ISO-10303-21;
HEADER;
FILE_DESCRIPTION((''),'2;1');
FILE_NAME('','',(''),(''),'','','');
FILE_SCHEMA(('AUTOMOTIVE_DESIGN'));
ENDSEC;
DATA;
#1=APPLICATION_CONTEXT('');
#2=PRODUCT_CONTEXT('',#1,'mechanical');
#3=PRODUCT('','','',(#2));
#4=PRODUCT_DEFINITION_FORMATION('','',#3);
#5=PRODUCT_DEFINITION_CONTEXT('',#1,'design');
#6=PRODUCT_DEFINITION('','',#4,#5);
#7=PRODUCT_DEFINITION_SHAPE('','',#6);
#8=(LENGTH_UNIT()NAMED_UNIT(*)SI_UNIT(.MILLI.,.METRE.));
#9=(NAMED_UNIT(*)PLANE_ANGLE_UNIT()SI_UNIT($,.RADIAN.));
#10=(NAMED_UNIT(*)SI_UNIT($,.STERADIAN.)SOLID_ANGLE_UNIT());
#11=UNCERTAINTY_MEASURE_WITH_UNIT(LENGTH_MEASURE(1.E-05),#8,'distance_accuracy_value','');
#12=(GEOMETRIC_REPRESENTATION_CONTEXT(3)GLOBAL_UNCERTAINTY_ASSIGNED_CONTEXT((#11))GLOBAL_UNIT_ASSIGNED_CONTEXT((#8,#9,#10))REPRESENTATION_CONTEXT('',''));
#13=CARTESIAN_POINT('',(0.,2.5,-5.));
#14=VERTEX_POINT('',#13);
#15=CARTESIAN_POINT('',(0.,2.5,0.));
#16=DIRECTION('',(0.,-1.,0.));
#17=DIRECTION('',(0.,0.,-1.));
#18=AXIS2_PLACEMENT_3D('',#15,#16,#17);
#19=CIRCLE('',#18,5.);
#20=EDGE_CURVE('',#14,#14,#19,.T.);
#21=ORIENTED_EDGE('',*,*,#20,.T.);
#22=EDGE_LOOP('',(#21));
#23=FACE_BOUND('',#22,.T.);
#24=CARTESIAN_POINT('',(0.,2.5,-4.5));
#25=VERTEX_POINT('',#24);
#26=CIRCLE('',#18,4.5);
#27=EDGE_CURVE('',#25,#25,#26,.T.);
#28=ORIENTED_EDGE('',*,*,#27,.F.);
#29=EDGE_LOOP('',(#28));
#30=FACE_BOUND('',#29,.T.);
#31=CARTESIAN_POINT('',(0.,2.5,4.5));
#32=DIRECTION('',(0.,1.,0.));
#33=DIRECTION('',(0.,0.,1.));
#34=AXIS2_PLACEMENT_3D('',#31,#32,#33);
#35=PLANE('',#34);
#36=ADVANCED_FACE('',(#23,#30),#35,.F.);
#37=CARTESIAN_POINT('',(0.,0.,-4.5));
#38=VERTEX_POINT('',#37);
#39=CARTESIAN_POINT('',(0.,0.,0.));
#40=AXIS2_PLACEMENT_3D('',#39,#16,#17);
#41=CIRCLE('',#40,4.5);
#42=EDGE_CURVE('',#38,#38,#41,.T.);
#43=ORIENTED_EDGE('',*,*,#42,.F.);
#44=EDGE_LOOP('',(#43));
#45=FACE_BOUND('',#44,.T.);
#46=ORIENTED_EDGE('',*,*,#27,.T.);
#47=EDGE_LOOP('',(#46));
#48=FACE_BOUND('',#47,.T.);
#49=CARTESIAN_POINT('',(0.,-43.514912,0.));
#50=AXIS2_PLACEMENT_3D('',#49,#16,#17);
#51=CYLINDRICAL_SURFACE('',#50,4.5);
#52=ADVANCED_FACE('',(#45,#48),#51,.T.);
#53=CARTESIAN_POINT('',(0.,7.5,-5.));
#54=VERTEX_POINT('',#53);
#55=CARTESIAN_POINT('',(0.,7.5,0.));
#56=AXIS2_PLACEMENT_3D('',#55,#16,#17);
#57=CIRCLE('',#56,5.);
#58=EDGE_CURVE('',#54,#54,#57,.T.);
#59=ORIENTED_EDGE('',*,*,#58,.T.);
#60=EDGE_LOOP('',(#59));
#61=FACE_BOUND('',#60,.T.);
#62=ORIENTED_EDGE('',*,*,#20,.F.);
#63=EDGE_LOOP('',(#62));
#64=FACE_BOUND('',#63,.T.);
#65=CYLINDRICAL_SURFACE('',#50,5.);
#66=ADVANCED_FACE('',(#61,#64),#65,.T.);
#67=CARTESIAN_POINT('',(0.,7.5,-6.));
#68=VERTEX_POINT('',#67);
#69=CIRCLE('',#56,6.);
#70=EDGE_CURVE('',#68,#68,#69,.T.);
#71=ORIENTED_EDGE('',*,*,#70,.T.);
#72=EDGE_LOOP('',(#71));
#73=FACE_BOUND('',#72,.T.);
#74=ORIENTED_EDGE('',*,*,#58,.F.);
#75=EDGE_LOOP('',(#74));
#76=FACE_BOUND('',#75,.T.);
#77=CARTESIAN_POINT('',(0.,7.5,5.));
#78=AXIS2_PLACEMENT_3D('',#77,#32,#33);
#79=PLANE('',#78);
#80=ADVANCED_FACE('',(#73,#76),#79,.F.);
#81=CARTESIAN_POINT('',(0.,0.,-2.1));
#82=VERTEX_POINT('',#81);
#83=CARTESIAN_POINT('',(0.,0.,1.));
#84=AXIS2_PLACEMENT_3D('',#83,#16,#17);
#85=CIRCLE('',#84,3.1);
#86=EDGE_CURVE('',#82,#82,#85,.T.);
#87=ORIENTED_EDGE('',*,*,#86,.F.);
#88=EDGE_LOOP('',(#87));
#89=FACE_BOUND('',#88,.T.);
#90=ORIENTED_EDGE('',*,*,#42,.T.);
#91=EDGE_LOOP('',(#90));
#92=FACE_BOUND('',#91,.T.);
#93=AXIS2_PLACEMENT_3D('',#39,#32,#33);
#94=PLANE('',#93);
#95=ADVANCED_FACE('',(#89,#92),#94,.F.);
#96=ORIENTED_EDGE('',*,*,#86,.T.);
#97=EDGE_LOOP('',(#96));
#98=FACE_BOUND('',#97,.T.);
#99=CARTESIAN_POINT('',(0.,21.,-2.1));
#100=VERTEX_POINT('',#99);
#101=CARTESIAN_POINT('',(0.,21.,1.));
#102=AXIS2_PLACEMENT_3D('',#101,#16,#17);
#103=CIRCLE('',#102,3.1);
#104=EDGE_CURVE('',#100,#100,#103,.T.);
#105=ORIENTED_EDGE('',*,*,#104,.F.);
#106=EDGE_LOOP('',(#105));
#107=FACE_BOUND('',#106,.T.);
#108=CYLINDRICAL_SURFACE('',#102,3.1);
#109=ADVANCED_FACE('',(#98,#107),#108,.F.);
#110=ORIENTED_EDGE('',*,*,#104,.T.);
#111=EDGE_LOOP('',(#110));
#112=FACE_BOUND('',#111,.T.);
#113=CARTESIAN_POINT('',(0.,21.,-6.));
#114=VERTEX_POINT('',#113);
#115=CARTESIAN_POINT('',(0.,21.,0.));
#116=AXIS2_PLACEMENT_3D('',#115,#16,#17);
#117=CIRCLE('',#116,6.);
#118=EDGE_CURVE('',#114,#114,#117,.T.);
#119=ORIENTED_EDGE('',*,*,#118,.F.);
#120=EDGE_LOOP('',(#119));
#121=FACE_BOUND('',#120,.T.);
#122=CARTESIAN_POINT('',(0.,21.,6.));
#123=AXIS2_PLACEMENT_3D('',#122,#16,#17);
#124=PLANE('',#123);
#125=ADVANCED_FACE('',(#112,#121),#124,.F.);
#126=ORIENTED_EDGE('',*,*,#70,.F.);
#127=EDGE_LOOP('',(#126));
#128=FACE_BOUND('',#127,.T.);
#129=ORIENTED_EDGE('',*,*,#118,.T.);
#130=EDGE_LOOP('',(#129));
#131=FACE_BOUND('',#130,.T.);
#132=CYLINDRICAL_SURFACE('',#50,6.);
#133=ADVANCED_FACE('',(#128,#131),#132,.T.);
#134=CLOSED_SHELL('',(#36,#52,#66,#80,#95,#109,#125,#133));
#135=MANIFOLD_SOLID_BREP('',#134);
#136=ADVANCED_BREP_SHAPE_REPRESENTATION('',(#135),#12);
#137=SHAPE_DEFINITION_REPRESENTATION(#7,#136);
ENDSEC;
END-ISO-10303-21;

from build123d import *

# Parameters (mm, degrees)
SKETCH5_R          = 3.1
CUT_EXTRUDE1_DEPTH = 23.649503306


with BuildPart() as part:
    # Sketch4 → Revolve1 (revolve)
    with BuildSketch(Plane(origin=(0, 0, 0), x_dir=(0, 0, -1), z_dir=(1, 0, 0)), mode=Mode.PRIVATE) as revolve1_sk:
        Polygon((-4.5, 2.5), (-5, 2.5), (-5, 7.5), (-6, 7.5), (-6, 21), (0, 21), (0, 0), (-4.5, 0), align=None)
    revolve(revolve1_sk.sketch.rotate(Axis((0, -43.514912226, 0), (0, 1, 0)), 180), axis=Axis((0, -43.514912226, 0), (0, 1, 0)))

    # Sketch5 → Cut-Extrude1 (cut, through all)
    with BuildSketch(Plane.XZ):
        with Locations(Location((0, 1, 0), (0, 0, 270))):
            Circle(SKETCH5_R)
    extrude(amount=-CUT_EXTRUDE1_DEPTH, mode=Mode.SUBTRACT)


solid = part.part
